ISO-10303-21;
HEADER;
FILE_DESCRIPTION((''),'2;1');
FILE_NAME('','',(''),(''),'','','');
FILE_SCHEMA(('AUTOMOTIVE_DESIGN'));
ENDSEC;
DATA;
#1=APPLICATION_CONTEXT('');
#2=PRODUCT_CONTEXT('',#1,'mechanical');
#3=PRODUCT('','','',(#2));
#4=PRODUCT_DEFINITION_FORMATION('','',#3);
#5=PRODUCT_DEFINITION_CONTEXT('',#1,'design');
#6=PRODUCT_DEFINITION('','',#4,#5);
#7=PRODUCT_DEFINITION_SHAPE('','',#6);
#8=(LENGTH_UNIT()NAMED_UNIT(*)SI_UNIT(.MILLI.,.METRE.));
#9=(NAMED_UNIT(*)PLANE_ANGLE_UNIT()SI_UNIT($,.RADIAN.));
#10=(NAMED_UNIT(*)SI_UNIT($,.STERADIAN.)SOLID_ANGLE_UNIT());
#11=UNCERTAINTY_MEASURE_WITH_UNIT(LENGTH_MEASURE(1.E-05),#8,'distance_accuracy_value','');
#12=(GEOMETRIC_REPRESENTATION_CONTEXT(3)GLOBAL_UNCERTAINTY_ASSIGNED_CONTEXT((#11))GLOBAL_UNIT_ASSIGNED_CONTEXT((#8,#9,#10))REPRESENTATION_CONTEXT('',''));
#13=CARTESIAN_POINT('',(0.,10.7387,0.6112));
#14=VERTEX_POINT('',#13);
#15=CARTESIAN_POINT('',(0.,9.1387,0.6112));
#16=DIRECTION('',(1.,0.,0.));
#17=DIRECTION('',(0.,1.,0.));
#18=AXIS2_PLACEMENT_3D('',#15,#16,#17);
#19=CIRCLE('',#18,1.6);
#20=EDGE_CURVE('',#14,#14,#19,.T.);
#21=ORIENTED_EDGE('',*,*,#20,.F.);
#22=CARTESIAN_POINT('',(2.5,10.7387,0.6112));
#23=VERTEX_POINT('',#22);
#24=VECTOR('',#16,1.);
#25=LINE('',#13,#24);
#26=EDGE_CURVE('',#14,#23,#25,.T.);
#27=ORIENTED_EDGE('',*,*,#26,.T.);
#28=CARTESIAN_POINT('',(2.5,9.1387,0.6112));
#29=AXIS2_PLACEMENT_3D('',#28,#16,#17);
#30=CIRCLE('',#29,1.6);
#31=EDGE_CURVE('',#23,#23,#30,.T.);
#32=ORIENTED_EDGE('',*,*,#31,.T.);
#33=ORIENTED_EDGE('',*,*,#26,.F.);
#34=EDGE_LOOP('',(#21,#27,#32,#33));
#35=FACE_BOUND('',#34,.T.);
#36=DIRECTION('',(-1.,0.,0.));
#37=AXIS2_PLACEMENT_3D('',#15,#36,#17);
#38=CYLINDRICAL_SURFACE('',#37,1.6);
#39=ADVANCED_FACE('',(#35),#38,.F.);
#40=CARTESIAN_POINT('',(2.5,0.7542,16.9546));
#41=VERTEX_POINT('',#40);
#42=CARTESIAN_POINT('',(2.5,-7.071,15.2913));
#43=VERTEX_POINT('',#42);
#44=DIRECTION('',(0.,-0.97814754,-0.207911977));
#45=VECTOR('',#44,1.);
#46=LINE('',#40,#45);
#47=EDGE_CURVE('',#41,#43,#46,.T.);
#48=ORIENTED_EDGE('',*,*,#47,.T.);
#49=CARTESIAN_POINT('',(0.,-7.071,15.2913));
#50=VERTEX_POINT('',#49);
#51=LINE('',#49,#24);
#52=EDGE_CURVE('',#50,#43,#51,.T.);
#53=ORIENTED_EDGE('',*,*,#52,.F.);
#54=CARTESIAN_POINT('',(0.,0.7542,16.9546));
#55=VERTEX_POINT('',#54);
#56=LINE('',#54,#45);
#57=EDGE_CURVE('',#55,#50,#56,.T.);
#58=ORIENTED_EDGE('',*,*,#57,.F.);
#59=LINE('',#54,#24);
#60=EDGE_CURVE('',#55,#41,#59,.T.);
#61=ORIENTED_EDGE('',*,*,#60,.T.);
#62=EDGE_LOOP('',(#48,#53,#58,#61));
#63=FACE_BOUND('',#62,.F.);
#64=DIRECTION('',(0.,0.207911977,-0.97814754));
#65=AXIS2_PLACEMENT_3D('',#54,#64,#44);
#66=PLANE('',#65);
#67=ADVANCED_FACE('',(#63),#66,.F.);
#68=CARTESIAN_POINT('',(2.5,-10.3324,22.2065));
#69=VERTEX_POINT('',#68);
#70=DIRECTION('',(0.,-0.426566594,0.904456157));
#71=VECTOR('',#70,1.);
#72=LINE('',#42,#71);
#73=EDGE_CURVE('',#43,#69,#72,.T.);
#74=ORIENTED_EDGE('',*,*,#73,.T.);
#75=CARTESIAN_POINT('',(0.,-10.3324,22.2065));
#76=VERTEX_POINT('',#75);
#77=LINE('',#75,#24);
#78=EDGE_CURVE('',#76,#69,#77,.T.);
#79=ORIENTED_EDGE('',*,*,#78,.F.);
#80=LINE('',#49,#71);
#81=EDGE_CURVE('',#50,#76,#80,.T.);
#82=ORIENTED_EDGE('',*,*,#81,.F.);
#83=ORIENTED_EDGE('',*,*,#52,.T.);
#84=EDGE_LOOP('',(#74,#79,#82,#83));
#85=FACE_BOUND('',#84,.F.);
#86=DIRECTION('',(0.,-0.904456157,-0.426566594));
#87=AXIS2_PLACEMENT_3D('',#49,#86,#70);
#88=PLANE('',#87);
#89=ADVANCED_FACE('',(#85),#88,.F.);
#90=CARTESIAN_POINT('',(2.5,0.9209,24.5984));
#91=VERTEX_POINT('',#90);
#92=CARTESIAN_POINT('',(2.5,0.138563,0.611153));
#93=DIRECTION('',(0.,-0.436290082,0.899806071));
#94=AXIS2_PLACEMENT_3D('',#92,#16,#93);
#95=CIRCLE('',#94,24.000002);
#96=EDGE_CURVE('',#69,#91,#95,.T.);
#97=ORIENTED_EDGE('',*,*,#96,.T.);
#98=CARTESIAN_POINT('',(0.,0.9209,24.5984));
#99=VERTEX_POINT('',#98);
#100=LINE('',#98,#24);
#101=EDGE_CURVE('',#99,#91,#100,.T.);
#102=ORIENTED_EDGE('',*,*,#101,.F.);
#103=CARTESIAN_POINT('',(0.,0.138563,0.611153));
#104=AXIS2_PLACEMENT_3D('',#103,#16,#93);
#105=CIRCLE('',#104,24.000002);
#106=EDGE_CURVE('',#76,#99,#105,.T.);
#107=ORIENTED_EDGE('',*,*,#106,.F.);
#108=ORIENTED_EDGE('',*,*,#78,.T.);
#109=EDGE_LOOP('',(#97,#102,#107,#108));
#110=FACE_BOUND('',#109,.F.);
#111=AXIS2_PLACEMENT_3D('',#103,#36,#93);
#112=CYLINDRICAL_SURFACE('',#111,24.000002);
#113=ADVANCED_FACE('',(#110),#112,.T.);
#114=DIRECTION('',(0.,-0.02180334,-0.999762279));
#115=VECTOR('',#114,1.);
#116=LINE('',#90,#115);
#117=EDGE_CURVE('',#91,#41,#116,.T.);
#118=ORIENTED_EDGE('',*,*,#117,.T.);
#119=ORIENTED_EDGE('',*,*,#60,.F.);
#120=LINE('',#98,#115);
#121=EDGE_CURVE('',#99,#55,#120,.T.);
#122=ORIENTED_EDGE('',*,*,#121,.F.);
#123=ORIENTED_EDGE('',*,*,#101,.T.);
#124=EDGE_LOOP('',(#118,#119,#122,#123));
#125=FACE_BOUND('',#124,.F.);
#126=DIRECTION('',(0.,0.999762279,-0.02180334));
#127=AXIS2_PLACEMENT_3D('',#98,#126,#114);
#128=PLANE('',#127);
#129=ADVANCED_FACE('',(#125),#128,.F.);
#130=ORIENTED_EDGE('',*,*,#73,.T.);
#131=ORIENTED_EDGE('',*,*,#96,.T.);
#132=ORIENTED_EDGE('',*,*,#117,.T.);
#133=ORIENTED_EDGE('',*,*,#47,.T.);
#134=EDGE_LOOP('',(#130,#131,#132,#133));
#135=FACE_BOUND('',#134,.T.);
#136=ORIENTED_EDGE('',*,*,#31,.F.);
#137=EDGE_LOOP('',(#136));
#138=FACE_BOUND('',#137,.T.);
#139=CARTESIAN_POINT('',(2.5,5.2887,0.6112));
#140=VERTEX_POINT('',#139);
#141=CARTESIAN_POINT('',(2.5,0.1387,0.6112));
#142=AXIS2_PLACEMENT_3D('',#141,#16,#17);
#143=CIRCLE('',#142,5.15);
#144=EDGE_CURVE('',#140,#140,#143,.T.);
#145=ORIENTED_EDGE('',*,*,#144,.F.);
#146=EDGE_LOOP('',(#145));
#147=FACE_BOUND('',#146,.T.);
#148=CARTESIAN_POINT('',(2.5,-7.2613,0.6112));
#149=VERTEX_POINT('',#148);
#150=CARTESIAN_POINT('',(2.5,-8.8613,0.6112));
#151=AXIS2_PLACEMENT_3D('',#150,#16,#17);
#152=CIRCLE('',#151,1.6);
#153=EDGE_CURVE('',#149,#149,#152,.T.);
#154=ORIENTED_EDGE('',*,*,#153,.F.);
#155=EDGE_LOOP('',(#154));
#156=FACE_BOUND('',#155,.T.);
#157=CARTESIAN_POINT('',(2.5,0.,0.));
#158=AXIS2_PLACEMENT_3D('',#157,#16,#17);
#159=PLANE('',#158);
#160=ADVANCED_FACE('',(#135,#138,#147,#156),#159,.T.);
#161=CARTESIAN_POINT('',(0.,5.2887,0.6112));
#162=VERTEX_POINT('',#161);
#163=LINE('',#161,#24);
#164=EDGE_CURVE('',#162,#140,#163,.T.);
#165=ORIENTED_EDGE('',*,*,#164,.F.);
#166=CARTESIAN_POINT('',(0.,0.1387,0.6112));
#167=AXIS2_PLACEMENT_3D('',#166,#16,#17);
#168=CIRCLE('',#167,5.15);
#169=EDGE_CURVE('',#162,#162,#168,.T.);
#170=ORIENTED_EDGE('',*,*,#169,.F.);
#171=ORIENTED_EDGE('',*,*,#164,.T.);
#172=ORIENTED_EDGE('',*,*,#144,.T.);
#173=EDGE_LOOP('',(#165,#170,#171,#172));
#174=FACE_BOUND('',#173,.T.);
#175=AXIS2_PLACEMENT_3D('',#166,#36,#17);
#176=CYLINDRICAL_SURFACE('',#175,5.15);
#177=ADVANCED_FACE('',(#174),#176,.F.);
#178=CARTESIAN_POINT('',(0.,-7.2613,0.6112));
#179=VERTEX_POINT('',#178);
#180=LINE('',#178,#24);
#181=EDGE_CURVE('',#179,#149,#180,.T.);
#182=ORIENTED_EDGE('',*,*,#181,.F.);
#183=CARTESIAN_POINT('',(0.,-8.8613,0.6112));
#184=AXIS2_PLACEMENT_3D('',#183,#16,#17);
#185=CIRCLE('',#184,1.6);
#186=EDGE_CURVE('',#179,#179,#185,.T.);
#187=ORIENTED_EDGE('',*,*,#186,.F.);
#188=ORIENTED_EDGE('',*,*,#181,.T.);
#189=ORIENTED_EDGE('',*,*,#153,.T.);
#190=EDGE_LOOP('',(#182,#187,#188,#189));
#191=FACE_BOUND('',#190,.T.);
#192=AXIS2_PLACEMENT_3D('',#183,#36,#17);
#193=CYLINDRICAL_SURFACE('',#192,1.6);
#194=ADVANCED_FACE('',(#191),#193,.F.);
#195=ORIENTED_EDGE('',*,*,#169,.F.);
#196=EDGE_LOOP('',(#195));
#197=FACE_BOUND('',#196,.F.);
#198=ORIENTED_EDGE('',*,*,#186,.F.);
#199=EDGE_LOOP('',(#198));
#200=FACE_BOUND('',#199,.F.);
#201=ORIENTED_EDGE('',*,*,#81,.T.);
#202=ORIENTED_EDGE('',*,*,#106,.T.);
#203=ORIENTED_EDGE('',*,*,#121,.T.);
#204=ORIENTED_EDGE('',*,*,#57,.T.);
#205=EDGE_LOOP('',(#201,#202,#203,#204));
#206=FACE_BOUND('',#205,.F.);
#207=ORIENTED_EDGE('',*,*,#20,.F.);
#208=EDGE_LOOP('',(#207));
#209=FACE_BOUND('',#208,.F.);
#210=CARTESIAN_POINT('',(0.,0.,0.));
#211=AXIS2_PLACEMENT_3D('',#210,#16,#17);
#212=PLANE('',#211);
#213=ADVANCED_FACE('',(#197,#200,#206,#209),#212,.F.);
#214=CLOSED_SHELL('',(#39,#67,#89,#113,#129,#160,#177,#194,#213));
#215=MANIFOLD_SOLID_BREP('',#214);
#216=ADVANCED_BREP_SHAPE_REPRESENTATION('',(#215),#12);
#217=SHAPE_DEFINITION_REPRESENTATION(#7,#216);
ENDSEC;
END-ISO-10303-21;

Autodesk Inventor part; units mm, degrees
ref_plane "YZ Plane" through (0, 0, 0) normal (1, 0, 0) x (0, 1, 0)
ref_plane "XZ Plane" through (0, 0, 0) normal (0, 1, 0) x (-1, 0, 0)
ref_plane "XY Plane" through (0, 0, 0) normal (0, 0, 1) x (1, 0, 0)
sketch "スケッチ2" plane through (0, 0, 0) normal (1, 0, 0) x (0, 1, 0)
  line L0 (-7.071, 15.2913) -> (-10.3324, 22.2065)
  arc A0 (-10.3324, 22.2065) -> (0.9209, 24.5984) centre (0.1387, 0.6112) ccw
  line L1 (0.9209, 24.5984) -> (0.7542, 16.9546)
  line L2 (0.7542, 16.9546) -> (-7.071, 15.2913)
  circle A1 centre (-8.8613, 0.6112) radius 1.6
  circle A2 centre (9.1387, 0.6112) radius 1.6
  circle A3 centre (0.1387, 0.6112) radius 5.15
  point P0 (0, 0)
extrude "押し出し2" add sketch "スケッチ2" along normal blind 2.5
properties part number "belt_liner_v2_3DP_P-4-F" material "ABS プラスチック"
